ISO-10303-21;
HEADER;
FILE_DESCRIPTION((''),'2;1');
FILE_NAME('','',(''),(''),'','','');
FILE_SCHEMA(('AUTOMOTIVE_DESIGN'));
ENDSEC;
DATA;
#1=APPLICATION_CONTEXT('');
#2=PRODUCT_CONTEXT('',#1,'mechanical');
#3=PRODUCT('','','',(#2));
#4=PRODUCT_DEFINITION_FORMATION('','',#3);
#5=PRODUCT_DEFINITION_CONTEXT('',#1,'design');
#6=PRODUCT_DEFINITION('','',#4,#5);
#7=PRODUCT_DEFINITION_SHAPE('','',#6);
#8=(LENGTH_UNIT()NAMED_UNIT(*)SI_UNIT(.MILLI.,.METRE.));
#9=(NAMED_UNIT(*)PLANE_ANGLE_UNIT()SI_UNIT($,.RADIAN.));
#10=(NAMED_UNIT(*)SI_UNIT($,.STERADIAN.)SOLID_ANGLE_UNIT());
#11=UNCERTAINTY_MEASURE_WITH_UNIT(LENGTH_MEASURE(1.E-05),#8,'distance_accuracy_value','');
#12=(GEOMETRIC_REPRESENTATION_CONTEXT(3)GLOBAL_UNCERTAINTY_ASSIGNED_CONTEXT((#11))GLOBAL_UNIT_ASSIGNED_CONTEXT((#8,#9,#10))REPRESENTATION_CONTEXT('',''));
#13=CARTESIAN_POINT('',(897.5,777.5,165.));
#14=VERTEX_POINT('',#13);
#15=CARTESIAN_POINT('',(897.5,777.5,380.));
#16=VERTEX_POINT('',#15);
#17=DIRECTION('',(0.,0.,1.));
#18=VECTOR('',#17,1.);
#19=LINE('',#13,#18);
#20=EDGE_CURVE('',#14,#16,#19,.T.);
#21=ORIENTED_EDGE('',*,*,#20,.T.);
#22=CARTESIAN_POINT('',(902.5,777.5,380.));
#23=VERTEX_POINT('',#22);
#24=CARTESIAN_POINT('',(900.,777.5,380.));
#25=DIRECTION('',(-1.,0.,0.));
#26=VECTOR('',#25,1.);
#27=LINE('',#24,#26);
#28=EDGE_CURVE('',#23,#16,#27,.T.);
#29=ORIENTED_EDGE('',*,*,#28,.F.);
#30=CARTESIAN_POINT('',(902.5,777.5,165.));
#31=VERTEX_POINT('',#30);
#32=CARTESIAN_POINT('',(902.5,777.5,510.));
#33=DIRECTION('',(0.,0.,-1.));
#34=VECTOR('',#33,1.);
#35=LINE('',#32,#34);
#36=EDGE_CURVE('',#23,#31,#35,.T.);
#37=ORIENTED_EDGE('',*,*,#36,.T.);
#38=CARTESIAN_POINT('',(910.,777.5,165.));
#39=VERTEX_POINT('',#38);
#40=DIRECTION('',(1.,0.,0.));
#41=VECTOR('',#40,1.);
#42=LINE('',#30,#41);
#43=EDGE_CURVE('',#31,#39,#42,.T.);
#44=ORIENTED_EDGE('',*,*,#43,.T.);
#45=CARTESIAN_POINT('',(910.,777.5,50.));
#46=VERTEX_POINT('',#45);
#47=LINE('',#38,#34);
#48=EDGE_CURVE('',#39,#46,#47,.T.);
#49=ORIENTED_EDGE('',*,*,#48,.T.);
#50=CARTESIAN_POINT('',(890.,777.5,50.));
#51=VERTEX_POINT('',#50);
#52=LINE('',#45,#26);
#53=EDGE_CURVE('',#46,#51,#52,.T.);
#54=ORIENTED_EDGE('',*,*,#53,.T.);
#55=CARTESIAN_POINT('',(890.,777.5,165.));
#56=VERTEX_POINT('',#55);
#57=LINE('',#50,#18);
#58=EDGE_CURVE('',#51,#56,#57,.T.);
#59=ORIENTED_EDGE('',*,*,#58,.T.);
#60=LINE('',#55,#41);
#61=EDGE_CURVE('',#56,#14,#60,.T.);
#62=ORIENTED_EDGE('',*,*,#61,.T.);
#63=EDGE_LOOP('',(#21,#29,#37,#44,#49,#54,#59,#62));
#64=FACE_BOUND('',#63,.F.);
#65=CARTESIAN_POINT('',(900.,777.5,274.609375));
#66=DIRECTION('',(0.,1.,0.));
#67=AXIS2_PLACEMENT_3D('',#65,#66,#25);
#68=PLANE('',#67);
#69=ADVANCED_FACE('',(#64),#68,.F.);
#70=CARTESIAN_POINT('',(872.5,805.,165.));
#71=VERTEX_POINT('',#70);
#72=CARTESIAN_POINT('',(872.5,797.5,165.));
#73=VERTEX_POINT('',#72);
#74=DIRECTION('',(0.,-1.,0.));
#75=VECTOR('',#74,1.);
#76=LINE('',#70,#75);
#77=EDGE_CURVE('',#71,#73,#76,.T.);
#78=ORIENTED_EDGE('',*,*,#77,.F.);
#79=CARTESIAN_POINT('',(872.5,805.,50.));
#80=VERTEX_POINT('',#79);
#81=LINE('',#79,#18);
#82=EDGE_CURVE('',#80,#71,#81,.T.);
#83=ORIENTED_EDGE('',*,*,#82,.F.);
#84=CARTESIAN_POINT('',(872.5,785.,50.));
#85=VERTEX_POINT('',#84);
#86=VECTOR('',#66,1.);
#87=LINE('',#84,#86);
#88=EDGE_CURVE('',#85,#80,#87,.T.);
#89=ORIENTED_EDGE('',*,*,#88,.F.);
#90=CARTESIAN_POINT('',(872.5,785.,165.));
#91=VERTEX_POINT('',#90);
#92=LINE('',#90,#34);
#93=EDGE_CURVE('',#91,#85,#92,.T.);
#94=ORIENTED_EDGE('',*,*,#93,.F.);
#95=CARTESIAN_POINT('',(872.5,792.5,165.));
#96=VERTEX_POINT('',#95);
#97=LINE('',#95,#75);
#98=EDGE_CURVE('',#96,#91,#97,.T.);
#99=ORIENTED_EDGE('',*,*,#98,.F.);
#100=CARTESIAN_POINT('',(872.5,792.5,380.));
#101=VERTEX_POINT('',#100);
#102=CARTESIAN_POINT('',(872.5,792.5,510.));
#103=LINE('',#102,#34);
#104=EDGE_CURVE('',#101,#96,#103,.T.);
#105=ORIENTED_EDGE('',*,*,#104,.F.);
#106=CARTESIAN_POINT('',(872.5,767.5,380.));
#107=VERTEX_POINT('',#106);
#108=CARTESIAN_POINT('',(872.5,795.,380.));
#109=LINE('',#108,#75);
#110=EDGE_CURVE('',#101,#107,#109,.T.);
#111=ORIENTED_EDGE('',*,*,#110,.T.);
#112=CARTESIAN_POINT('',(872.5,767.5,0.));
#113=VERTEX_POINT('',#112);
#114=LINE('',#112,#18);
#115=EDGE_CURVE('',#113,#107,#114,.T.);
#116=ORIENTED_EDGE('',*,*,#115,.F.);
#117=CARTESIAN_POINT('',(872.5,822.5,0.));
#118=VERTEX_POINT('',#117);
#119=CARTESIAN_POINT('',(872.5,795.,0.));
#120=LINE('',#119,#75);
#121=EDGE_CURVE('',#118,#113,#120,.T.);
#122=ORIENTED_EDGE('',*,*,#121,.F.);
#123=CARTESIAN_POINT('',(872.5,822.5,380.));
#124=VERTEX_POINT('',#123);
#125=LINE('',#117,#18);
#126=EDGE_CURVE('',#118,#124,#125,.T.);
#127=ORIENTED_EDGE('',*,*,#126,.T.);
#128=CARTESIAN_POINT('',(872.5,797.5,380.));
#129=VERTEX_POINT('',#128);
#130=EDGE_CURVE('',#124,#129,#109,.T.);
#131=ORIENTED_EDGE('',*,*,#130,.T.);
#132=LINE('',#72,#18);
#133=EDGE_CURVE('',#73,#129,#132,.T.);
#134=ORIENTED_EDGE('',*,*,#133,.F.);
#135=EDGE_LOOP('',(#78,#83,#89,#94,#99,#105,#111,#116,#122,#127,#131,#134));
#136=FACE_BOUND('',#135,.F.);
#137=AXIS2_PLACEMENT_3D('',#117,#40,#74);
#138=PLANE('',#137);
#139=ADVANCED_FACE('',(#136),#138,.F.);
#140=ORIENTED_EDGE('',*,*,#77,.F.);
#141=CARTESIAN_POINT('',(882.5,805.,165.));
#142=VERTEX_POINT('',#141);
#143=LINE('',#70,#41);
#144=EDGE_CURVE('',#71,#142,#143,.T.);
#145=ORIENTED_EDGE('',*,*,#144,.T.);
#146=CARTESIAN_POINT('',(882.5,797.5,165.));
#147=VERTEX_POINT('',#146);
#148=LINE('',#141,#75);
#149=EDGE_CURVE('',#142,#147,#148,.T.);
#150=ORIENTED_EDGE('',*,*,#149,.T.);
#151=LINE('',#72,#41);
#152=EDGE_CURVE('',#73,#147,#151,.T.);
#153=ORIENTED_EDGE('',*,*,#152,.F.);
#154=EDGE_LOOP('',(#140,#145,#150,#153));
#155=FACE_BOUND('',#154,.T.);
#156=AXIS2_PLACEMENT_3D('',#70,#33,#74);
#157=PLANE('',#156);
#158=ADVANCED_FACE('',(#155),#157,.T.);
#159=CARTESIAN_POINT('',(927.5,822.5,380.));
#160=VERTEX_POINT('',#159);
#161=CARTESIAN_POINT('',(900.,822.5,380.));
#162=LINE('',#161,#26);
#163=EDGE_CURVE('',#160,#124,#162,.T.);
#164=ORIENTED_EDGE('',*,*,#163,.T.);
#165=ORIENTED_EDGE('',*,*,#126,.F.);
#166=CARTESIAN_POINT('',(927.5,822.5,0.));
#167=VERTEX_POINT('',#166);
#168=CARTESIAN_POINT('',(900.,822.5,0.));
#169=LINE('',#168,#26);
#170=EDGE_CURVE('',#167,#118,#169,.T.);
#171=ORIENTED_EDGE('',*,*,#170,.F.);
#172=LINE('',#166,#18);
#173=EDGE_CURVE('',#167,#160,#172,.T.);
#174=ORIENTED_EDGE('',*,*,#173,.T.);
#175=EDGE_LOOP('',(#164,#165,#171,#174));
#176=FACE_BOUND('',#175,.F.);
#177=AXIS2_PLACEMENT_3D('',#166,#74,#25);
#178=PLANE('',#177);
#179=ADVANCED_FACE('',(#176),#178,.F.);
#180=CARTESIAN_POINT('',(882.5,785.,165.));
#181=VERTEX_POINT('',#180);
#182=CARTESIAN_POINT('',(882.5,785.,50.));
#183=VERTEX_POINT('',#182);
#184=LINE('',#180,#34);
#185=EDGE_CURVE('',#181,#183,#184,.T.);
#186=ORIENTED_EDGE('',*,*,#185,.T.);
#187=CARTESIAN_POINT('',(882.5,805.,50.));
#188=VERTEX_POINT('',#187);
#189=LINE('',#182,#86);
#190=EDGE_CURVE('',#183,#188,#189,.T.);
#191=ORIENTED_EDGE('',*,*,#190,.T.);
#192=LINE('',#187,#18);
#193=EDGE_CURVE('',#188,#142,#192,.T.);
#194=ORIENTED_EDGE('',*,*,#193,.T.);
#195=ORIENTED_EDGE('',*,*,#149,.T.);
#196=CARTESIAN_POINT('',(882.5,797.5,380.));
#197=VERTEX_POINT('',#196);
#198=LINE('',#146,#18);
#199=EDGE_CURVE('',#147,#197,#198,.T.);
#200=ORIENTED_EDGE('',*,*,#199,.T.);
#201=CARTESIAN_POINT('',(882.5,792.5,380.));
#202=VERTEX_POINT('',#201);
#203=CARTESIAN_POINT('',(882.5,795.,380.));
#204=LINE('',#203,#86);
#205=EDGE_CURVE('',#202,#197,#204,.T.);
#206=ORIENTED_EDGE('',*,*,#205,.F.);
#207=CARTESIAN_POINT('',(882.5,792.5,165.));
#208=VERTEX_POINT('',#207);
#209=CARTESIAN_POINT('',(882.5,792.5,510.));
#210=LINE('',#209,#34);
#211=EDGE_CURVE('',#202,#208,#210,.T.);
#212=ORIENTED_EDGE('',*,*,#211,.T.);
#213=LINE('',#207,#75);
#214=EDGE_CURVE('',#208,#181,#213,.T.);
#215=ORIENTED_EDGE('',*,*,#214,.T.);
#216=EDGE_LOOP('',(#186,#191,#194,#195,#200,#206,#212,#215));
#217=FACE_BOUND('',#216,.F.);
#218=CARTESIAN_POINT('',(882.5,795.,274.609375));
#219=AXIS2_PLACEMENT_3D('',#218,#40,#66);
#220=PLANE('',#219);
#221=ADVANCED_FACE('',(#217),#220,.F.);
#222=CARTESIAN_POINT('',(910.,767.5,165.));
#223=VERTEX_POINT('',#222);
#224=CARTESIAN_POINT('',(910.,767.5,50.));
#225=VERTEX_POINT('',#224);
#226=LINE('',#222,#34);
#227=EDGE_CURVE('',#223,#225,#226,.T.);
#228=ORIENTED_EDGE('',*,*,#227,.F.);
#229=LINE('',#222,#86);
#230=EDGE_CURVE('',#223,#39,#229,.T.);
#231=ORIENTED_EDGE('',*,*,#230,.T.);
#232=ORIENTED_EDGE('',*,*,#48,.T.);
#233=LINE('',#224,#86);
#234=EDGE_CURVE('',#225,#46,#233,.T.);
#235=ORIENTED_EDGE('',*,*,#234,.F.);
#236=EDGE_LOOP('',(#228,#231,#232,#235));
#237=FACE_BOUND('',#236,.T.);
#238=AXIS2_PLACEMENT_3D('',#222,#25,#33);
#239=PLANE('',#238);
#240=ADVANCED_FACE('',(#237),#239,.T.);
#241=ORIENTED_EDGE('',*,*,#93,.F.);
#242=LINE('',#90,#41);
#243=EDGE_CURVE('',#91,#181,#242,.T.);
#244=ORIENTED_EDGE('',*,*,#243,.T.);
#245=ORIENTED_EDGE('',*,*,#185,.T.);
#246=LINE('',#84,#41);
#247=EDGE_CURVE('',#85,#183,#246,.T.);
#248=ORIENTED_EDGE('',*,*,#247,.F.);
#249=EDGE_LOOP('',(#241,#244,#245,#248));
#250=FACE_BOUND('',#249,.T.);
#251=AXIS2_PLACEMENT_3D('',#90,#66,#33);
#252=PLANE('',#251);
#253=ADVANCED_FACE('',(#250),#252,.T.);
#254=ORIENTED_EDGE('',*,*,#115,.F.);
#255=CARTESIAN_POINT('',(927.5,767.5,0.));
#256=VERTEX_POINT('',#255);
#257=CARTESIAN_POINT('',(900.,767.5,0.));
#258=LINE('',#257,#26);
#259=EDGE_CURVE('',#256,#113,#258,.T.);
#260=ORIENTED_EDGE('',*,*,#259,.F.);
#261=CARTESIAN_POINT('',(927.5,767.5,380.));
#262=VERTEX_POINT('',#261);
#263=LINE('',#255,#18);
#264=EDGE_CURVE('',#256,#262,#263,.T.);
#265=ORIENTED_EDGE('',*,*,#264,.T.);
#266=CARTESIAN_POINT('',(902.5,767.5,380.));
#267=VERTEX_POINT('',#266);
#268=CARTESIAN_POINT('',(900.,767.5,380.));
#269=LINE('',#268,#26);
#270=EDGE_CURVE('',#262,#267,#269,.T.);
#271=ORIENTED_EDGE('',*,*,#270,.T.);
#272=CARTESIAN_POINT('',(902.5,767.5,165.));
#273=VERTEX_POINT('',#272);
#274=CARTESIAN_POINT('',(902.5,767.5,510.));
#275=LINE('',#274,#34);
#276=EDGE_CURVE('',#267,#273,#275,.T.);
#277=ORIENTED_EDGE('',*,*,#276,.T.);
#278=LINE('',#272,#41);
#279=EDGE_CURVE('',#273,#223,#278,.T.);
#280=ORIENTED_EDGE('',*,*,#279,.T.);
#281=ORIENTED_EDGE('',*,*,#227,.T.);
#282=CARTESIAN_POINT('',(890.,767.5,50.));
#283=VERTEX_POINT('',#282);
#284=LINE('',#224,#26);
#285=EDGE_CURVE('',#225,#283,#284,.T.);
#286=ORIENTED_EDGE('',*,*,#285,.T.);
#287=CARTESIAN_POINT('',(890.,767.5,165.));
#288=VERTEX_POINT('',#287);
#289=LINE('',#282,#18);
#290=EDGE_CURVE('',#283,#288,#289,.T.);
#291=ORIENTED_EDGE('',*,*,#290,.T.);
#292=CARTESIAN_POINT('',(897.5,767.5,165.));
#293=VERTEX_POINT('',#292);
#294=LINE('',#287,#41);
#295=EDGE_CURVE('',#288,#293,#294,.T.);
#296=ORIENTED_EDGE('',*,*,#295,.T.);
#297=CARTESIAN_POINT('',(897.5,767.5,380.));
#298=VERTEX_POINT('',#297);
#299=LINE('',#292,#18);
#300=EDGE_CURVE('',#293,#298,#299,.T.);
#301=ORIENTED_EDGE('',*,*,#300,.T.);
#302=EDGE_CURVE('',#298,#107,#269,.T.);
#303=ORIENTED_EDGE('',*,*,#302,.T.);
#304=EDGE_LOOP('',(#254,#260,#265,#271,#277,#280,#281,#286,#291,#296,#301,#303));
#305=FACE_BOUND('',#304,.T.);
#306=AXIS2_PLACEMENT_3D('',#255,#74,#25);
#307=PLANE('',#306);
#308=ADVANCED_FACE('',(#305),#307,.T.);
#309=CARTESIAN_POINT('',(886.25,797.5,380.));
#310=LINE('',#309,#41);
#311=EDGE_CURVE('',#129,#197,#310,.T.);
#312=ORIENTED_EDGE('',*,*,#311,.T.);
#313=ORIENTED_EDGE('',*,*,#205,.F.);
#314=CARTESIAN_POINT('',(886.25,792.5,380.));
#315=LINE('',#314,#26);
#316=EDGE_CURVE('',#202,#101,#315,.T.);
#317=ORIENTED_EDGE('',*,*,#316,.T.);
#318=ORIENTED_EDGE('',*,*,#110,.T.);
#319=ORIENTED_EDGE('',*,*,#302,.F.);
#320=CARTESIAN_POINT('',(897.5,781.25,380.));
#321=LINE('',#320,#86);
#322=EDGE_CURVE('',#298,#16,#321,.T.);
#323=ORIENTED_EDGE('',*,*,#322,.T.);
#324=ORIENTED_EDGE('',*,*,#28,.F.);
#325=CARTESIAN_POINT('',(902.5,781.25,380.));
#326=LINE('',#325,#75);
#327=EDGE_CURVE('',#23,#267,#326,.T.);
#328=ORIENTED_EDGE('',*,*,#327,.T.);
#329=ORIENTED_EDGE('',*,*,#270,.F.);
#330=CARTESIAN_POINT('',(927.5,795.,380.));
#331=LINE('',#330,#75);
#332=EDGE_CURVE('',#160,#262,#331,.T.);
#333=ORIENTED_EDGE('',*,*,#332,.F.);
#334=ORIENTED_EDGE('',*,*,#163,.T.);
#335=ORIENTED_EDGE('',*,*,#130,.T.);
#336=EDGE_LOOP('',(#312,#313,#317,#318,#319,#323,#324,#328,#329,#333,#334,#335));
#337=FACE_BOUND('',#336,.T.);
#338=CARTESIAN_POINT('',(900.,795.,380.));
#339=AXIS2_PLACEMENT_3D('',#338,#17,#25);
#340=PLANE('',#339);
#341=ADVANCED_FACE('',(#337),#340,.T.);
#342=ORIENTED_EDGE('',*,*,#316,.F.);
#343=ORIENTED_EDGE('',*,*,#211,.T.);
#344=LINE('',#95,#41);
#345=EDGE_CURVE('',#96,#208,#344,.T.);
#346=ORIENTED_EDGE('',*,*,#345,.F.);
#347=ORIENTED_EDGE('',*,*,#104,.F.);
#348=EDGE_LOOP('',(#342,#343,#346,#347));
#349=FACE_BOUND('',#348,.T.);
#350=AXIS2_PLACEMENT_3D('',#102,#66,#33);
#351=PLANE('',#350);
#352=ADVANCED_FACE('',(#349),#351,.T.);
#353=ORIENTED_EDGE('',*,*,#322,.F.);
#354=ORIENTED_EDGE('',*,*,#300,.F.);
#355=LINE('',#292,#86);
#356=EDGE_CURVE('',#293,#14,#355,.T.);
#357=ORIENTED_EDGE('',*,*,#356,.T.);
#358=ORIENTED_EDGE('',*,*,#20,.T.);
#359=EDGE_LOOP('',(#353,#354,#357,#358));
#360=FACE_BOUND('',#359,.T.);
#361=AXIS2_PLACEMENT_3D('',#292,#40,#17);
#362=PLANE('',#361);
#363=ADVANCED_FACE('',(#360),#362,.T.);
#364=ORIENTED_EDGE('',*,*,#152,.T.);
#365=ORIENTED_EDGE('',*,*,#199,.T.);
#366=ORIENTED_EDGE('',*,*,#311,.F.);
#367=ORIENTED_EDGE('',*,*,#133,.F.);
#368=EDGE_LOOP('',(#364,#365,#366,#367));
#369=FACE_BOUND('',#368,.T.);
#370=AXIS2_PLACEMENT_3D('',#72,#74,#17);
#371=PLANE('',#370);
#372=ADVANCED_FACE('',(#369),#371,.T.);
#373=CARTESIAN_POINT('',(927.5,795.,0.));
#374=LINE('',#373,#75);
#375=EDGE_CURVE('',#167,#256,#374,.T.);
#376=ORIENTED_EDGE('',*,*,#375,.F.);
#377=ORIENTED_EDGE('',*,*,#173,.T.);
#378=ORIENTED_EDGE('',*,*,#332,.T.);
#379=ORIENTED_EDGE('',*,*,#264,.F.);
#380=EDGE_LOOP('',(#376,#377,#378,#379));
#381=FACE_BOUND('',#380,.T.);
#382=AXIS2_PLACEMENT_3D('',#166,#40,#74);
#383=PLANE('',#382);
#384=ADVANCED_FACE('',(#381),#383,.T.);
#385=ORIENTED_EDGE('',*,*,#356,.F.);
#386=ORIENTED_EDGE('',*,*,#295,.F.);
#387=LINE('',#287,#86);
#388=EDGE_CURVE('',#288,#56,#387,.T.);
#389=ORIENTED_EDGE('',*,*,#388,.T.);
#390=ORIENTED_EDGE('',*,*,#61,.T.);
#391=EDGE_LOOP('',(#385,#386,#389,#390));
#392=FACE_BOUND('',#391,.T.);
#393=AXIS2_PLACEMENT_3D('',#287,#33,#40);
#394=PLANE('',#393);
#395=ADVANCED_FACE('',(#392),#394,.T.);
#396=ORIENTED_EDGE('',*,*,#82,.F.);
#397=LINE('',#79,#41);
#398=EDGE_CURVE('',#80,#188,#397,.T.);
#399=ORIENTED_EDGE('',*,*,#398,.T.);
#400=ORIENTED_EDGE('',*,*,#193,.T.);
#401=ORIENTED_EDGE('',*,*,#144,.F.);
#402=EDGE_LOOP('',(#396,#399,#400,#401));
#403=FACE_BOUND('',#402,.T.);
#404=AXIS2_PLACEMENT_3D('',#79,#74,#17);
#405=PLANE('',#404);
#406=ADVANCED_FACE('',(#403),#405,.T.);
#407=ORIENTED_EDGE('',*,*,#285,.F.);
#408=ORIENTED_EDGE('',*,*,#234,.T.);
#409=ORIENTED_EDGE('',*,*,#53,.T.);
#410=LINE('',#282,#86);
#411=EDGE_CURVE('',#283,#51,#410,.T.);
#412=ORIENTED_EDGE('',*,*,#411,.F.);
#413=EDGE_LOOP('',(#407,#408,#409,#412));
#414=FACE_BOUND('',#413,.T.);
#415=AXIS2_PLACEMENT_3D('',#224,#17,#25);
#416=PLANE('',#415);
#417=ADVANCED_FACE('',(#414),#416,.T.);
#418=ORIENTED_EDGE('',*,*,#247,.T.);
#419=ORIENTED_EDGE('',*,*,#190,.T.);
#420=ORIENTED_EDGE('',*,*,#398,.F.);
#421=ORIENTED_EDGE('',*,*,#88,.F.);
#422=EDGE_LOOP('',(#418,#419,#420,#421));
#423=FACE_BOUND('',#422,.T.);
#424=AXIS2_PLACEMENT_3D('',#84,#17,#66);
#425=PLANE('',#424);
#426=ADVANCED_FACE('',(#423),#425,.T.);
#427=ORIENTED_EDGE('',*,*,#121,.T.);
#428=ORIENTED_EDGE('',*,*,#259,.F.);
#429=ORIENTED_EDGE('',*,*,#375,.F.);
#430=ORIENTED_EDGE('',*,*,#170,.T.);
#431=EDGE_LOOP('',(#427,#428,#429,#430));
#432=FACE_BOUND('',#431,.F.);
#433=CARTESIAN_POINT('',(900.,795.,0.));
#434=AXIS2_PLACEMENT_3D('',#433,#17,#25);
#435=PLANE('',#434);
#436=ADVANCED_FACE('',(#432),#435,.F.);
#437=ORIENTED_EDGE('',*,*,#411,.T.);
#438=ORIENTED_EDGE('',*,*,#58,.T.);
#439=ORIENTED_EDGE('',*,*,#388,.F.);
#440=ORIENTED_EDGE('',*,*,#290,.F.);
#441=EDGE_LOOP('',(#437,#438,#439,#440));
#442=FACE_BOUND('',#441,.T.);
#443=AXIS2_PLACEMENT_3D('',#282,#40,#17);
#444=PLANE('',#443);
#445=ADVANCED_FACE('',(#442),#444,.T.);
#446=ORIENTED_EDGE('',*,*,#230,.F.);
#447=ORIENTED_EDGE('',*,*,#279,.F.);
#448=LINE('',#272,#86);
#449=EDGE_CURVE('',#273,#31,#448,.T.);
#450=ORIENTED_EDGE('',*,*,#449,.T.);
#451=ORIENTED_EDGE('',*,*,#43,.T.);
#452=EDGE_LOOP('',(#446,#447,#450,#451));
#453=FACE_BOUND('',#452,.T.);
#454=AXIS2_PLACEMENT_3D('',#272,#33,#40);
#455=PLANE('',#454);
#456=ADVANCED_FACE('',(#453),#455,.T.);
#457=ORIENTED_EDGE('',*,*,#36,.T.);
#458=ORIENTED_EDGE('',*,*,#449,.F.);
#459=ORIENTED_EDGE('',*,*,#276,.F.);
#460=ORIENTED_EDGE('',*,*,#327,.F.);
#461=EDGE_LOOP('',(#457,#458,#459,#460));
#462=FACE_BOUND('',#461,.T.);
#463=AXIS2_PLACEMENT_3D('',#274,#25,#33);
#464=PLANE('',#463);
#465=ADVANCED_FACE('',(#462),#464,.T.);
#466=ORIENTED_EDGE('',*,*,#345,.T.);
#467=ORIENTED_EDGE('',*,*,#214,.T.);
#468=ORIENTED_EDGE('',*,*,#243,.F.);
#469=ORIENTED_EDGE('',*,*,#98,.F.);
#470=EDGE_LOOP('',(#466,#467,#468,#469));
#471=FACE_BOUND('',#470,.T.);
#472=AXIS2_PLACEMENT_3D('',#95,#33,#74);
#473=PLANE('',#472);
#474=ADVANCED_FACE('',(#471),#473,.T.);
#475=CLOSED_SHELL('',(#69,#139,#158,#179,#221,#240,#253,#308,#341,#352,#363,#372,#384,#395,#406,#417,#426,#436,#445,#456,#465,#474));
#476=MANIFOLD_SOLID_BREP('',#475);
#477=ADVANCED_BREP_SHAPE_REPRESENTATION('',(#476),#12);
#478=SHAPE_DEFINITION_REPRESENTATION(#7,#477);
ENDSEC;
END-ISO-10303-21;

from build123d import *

# Parameters (mm, degrees)
SKETCH_W                = 55
SKETCH_H                = 55
PAD_DEPTH               = 380
POCKET_DEPTH            = 10
POLARPATTERN_COUNT      = 2
POLARPATTERN_ANGLE      = 90
BODY003_PLACEMENT_ANGLE = 180


with BuildPart() as part:
    # Sketch → Pad (new body)
    with BuildSketch(Plane.XY):
        Rectangle(SKETCH_W, SKETCH_H)
    extrude(amount=PAD_DEPTH)

    # Sketch001 (on DatumPlane) → Pocket (cut)
    with BuildSketch(Plane.YZ.offset(27.5)):
        Polygon((-10, 165), (-2.5, 165), (-2.5, 510), (2.5, 510), (2.5, 165), (10, 165), (10, 50), (-10, 50), align=None)
    pocket = extrude(amount=-POCKET_DEPTH, mode=Mode.SUBTRACT)

    # PolarPattern: Pocket ×2 about axis
    polarpattern_axis = Axis((0, 0, 0), (0, 0, 1))
    for i in range(1, POLARPATTERN_COUNT):
        add(pocket.rotate(polarpattern_axis, i * POLARPATTERN_ANGLE / (POLARPATTERN_COUNT - 1)), mode=Mode.SUBTRACT)


with BuildPart() as part_1:
    # Body placement: moved
    add(part.part.moved(Location((-10, 0, 0))))


with BuildPart() as part_2:
    # Clone002 placement: moved
    add(part_1.part.moved(Location((10, 0, 0))))


with BuildPart() as part_3:
    # Body003 placement: moved
    add(part_2.part.moved(Location((900, 795, 0))).rotate(Axis((900, 795, 0), (0, 0, 1)), BODY003_PLACEMENT_ANGLE))


solid = part_3.part
